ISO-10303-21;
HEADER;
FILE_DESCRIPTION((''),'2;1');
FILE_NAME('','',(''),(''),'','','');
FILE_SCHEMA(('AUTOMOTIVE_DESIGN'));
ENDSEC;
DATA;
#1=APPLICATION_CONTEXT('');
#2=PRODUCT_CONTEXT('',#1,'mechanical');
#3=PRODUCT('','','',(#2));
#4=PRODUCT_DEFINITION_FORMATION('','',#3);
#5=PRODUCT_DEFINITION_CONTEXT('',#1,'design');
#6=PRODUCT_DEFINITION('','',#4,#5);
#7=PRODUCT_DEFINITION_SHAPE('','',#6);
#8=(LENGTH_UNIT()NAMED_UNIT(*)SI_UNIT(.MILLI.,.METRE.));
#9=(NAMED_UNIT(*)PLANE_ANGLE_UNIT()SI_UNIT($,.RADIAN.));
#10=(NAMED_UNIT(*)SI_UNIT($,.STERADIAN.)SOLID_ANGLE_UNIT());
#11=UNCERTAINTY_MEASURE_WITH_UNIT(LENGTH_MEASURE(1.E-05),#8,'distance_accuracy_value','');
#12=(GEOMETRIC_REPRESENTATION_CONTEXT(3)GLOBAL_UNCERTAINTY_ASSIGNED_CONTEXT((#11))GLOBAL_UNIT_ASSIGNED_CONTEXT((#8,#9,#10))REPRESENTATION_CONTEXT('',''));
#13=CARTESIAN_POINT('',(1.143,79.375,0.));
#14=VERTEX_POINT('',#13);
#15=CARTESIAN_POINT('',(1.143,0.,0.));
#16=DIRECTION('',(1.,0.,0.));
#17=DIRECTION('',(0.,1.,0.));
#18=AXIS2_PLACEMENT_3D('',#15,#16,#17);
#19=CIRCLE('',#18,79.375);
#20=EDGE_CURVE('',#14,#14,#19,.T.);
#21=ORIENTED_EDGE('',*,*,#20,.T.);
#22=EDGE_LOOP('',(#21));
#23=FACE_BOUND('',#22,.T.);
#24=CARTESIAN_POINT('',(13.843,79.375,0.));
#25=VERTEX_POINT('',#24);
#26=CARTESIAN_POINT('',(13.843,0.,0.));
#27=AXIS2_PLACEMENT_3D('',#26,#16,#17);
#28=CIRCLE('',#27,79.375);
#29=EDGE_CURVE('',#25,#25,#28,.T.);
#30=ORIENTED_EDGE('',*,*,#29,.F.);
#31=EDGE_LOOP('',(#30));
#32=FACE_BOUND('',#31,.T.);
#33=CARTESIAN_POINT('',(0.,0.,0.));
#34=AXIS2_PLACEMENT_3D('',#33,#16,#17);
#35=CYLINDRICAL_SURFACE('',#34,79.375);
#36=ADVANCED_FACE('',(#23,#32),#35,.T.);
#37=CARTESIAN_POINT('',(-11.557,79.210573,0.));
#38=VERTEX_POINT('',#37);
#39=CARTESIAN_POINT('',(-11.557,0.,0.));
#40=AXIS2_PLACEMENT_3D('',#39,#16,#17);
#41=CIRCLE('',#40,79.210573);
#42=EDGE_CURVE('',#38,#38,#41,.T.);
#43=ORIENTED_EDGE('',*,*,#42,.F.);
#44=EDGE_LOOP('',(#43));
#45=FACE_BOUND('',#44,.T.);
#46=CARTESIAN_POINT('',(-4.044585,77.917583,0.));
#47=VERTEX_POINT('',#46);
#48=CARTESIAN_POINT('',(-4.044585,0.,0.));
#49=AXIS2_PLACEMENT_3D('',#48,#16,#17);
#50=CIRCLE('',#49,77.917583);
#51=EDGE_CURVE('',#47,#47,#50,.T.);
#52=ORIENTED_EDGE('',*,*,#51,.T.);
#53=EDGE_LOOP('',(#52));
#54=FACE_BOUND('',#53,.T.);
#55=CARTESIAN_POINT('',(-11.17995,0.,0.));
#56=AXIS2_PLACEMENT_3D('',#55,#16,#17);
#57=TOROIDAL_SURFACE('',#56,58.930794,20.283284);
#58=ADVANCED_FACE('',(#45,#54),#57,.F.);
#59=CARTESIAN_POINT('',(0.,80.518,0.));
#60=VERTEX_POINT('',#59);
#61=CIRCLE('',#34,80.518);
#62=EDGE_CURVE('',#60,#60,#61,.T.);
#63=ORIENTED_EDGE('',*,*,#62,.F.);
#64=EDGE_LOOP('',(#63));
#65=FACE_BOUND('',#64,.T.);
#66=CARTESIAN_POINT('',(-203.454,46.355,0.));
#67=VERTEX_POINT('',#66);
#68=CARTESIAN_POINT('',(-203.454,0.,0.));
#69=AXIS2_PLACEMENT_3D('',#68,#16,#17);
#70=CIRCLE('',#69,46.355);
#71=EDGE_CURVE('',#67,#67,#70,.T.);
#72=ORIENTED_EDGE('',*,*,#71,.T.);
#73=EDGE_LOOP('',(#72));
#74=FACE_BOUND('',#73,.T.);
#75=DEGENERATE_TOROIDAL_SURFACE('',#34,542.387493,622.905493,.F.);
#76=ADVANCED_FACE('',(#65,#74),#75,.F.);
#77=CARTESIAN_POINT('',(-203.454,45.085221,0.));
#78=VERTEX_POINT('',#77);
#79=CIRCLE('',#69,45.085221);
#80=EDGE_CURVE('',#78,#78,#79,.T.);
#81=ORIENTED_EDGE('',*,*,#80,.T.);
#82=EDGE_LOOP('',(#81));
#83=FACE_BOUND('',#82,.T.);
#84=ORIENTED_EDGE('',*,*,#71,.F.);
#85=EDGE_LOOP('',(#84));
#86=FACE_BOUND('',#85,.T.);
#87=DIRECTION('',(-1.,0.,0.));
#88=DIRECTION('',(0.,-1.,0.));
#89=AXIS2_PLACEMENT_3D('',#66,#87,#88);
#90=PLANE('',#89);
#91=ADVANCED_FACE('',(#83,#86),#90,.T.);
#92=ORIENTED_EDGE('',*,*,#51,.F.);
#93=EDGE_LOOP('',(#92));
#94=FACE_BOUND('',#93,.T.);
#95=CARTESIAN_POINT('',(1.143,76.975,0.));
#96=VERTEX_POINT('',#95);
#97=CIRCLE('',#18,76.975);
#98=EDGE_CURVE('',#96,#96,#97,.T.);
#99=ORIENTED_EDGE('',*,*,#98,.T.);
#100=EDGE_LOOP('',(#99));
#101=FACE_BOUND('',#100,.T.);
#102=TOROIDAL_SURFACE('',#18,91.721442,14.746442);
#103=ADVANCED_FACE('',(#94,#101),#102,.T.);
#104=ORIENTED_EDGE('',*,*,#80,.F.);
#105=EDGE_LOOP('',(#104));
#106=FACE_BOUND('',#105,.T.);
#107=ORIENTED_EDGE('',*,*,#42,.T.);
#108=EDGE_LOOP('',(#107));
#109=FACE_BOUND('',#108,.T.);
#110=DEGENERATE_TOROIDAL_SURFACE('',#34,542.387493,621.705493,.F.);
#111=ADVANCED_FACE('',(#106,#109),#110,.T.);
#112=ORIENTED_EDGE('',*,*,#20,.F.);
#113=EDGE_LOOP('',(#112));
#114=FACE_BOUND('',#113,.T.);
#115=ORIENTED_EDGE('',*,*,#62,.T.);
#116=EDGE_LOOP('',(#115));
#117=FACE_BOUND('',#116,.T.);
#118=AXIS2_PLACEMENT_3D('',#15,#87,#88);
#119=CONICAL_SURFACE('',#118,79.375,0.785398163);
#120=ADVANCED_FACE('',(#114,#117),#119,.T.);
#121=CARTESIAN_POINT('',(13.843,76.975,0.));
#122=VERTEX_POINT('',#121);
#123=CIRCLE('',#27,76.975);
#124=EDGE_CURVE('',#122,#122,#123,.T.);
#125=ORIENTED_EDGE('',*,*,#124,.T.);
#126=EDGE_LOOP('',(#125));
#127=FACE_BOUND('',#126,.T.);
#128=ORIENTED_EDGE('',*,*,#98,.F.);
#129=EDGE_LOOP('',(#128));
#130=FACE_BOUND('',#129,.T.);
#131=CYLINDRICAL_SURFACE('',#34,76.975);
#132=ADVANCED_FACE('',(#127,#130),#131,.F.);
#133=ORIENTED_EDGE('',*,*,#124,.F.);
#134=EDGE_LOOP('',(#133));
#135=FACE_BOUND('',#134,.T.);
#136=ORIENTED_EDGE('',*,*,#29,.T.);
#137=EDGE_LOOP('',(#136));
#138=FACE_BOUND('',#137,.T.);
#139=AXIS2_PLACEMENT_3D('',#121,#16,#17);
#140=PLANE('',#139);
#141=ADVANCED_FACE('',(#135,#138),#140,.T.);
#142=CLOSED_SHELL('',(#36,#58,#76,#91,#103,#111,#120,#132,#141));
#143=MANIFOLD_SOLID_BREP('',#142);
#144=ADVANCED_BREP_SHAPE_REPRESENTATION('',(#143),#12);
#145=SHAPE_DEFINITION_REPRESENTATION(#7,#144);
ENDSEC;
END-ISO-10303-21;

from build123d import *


with BuildPart() as part:
    # Sketch1 → Revolve1 (revolve)
    with BuildSketch(Plane.XY):
        with BuildLine():
            Line((-203.454, 46.355), (-203.454, 45.085221158))
            ThreePointArc((-203.454, 45.085221158), (-108.851125127, 69.714747297), (-11.557, 79.210573098))
            ThreePointArc((-11.557, 79.210573098), (-7.739504947, 78.920164754), (-4.044584679, 77.917583239))
            ThreePointArc((-4.044584679, 77.917583239), (-1.493261461, 77.212559303), (1.143, 76.975))
            Line((1.143, 76.975), (13.843, 76.975))
            Line((13.843, 76.975), (13.843, 79.375))
            Line((13.843, 79.375), (1.143, 79.375))
            Line((1.143, 79.375), (0, 80.518))
            ThreePointArc((0, 80.518), (-103.15115206, 71.917881411), (-203.454, 46.355))
        make_face()
    revolve(axis=Axis((0, 0, 0), (-1, 0, 0)))


solid = part.part
